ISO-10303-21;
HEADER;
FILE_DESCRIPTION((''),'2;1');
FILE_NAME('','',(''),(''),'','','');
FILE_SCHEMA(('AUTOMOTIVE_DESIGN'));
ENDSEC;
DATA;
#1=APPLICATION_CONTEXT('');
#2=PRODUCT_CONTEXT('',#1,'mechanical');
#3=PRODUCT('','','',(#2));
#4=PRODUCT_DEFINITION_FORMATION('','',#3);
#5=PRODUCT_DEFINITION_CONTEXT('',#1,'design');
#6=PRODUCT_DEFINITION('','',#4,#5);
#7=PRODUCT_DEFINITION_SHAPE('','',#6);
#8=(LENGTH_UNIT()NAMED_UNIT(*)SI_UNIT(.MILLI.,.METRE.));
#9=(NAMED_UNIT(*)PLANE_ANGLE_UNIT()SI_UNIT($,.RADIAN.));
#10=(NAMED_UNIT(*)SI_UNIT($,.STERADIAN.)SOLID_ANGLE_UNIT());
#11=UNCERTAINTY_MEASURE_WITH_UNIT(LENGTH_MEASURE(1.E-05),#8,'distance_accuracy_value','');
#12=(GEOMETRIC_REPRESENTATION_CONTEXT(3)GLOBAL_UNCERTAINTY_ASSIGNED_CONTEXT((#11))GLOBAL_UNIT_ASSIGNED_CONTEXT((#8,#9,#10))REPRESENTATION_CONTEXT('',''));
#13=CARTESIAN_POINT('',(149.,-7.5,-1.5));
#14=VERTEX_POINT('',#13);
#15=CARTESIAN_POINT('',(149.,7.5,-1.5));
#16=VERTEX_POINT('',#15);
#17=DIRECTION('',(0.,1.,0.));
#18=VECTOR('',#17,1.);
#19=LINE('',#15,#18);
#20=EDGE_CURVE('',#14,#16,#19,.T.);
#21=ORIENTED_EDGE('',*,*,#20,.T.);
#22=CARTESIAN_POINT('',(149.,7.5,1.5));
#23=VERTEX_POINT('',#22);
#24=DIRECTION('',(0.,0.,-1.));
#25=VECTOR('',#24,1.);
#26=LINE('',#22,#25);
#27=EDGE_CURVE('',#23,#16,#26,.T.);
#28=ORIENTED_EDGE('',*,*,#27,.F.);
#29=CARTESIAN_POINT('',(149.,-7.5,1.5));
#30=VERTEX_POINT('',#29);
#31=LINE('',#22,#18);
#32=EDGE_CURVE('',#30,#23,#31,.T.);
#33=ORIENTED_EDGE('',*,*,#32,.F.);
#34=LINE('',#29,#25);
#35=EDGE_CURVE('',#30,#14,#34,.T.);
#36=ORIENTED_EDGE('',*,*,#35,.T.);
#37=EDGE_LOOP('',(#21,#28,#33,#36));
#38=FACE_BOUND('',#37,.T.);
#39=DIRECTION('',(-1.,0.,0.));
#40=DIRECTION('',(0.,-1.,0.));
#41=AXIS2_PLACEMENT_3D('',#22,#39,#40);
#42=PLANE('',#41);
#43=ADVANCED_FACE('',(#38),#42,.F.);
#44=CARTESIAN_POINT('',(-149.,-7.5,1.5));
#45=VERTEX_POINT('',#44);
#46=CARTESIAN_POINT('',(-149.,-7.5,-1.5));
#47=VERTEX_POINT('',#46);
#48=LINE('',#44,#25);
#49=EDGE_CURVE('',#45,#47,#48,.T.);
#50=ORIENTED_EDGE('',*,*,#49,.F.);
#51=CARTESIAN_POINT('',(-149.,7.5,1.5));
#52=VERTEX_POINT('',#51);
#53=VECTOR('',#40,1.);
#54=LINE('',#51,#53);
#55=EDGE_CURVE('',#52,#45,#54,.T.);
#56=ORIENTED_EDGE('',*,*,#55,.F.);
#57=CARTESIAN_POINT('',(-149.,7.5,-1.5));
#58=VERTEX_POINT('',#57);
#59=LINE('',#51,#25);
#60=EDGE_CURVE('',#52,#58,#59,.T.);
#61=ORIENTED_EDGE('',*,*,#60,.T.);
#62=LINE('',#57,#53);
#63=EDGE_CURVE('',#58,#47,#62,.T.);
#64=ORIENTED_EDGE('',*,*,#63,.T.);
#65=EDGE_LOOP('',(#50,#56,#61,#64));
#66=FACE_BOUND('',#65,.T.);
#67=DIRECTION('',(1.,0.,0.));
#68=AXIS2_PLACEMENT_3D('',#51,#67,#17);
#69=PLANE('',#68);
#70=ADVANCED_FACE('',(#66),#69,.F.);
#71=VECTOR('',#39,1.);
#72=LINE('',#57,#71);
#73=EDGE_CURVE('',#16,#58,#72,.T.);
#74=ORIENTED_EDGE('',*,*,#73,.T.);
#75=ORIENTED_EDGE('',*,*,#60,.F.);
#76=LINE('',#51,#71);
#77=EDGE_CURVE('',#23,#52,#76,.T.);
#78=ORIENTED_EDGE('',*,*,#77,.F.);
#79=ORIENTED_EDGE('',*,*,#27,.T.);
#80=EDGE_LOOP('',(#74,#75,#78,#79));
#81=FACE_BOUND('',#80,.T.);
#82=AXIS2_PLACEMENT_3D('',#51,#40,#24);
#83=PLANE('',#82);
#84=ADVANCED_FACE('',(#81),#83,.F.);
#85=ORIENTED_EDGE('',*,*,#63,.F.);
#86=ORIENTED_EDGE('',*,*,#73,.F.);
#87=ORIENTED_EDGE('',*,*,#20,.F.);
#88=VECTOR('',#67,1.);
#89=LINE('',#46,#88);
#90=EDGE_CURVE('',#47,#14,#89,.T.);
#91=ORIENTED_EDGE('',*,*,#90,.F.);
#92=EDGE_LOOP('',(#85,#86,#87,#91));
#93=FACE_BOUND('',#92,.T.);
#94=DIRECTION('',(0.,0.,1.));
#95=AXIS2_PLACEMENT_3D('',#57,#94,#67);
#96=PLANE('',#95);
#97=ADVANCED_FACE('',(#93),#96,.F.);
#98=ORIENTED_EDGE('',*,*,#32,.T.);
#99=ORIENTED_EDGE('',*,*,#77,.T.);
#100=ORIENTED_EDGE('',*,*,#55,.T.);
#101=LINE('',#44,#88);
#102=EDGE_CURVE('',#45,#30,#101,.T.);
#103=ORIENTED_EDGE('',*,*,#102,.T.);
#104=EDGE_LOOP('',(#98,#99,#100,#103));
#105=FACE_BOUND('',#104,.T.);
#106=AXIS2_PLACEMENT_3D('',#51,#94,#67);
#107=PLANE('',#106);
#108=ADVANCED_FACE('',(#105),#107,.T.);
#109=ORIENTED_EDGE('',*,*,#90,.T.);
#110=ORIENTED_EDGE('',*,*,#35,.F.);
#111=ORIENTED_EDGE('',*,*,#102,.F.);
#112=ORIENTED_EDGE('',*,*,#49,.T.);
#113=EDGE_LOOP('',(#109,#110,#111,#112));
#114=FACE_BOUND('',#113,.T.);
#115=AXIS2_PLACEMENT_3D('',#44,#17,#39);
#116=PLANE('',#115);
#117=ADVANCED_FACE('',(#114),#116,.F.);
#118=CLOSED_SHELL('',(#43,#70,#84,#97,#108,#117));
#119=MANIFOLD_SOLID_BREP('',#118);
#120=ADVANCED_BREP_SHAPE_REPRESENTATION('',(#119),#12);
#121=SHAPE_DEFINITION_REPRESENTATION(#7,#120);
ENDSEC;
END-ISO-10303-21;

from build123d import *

# Parameters (mm, degrees)
ESQUISSE1_W      = 298
ESQUISSE1_H      = 15
EXTRUSION1_DEPTH = 1.5


with BuildPart() as part:
    # Esquisse1 → Extrusion1 (new body, symmetric)
    with BuildSketch(Plane.XY):
        Rectangle(ESQUISSE1_W, ESQUISSE1_H)
    extrude(amount=EXTRUSION1_DEPTH, both=True)


solid = part.part
